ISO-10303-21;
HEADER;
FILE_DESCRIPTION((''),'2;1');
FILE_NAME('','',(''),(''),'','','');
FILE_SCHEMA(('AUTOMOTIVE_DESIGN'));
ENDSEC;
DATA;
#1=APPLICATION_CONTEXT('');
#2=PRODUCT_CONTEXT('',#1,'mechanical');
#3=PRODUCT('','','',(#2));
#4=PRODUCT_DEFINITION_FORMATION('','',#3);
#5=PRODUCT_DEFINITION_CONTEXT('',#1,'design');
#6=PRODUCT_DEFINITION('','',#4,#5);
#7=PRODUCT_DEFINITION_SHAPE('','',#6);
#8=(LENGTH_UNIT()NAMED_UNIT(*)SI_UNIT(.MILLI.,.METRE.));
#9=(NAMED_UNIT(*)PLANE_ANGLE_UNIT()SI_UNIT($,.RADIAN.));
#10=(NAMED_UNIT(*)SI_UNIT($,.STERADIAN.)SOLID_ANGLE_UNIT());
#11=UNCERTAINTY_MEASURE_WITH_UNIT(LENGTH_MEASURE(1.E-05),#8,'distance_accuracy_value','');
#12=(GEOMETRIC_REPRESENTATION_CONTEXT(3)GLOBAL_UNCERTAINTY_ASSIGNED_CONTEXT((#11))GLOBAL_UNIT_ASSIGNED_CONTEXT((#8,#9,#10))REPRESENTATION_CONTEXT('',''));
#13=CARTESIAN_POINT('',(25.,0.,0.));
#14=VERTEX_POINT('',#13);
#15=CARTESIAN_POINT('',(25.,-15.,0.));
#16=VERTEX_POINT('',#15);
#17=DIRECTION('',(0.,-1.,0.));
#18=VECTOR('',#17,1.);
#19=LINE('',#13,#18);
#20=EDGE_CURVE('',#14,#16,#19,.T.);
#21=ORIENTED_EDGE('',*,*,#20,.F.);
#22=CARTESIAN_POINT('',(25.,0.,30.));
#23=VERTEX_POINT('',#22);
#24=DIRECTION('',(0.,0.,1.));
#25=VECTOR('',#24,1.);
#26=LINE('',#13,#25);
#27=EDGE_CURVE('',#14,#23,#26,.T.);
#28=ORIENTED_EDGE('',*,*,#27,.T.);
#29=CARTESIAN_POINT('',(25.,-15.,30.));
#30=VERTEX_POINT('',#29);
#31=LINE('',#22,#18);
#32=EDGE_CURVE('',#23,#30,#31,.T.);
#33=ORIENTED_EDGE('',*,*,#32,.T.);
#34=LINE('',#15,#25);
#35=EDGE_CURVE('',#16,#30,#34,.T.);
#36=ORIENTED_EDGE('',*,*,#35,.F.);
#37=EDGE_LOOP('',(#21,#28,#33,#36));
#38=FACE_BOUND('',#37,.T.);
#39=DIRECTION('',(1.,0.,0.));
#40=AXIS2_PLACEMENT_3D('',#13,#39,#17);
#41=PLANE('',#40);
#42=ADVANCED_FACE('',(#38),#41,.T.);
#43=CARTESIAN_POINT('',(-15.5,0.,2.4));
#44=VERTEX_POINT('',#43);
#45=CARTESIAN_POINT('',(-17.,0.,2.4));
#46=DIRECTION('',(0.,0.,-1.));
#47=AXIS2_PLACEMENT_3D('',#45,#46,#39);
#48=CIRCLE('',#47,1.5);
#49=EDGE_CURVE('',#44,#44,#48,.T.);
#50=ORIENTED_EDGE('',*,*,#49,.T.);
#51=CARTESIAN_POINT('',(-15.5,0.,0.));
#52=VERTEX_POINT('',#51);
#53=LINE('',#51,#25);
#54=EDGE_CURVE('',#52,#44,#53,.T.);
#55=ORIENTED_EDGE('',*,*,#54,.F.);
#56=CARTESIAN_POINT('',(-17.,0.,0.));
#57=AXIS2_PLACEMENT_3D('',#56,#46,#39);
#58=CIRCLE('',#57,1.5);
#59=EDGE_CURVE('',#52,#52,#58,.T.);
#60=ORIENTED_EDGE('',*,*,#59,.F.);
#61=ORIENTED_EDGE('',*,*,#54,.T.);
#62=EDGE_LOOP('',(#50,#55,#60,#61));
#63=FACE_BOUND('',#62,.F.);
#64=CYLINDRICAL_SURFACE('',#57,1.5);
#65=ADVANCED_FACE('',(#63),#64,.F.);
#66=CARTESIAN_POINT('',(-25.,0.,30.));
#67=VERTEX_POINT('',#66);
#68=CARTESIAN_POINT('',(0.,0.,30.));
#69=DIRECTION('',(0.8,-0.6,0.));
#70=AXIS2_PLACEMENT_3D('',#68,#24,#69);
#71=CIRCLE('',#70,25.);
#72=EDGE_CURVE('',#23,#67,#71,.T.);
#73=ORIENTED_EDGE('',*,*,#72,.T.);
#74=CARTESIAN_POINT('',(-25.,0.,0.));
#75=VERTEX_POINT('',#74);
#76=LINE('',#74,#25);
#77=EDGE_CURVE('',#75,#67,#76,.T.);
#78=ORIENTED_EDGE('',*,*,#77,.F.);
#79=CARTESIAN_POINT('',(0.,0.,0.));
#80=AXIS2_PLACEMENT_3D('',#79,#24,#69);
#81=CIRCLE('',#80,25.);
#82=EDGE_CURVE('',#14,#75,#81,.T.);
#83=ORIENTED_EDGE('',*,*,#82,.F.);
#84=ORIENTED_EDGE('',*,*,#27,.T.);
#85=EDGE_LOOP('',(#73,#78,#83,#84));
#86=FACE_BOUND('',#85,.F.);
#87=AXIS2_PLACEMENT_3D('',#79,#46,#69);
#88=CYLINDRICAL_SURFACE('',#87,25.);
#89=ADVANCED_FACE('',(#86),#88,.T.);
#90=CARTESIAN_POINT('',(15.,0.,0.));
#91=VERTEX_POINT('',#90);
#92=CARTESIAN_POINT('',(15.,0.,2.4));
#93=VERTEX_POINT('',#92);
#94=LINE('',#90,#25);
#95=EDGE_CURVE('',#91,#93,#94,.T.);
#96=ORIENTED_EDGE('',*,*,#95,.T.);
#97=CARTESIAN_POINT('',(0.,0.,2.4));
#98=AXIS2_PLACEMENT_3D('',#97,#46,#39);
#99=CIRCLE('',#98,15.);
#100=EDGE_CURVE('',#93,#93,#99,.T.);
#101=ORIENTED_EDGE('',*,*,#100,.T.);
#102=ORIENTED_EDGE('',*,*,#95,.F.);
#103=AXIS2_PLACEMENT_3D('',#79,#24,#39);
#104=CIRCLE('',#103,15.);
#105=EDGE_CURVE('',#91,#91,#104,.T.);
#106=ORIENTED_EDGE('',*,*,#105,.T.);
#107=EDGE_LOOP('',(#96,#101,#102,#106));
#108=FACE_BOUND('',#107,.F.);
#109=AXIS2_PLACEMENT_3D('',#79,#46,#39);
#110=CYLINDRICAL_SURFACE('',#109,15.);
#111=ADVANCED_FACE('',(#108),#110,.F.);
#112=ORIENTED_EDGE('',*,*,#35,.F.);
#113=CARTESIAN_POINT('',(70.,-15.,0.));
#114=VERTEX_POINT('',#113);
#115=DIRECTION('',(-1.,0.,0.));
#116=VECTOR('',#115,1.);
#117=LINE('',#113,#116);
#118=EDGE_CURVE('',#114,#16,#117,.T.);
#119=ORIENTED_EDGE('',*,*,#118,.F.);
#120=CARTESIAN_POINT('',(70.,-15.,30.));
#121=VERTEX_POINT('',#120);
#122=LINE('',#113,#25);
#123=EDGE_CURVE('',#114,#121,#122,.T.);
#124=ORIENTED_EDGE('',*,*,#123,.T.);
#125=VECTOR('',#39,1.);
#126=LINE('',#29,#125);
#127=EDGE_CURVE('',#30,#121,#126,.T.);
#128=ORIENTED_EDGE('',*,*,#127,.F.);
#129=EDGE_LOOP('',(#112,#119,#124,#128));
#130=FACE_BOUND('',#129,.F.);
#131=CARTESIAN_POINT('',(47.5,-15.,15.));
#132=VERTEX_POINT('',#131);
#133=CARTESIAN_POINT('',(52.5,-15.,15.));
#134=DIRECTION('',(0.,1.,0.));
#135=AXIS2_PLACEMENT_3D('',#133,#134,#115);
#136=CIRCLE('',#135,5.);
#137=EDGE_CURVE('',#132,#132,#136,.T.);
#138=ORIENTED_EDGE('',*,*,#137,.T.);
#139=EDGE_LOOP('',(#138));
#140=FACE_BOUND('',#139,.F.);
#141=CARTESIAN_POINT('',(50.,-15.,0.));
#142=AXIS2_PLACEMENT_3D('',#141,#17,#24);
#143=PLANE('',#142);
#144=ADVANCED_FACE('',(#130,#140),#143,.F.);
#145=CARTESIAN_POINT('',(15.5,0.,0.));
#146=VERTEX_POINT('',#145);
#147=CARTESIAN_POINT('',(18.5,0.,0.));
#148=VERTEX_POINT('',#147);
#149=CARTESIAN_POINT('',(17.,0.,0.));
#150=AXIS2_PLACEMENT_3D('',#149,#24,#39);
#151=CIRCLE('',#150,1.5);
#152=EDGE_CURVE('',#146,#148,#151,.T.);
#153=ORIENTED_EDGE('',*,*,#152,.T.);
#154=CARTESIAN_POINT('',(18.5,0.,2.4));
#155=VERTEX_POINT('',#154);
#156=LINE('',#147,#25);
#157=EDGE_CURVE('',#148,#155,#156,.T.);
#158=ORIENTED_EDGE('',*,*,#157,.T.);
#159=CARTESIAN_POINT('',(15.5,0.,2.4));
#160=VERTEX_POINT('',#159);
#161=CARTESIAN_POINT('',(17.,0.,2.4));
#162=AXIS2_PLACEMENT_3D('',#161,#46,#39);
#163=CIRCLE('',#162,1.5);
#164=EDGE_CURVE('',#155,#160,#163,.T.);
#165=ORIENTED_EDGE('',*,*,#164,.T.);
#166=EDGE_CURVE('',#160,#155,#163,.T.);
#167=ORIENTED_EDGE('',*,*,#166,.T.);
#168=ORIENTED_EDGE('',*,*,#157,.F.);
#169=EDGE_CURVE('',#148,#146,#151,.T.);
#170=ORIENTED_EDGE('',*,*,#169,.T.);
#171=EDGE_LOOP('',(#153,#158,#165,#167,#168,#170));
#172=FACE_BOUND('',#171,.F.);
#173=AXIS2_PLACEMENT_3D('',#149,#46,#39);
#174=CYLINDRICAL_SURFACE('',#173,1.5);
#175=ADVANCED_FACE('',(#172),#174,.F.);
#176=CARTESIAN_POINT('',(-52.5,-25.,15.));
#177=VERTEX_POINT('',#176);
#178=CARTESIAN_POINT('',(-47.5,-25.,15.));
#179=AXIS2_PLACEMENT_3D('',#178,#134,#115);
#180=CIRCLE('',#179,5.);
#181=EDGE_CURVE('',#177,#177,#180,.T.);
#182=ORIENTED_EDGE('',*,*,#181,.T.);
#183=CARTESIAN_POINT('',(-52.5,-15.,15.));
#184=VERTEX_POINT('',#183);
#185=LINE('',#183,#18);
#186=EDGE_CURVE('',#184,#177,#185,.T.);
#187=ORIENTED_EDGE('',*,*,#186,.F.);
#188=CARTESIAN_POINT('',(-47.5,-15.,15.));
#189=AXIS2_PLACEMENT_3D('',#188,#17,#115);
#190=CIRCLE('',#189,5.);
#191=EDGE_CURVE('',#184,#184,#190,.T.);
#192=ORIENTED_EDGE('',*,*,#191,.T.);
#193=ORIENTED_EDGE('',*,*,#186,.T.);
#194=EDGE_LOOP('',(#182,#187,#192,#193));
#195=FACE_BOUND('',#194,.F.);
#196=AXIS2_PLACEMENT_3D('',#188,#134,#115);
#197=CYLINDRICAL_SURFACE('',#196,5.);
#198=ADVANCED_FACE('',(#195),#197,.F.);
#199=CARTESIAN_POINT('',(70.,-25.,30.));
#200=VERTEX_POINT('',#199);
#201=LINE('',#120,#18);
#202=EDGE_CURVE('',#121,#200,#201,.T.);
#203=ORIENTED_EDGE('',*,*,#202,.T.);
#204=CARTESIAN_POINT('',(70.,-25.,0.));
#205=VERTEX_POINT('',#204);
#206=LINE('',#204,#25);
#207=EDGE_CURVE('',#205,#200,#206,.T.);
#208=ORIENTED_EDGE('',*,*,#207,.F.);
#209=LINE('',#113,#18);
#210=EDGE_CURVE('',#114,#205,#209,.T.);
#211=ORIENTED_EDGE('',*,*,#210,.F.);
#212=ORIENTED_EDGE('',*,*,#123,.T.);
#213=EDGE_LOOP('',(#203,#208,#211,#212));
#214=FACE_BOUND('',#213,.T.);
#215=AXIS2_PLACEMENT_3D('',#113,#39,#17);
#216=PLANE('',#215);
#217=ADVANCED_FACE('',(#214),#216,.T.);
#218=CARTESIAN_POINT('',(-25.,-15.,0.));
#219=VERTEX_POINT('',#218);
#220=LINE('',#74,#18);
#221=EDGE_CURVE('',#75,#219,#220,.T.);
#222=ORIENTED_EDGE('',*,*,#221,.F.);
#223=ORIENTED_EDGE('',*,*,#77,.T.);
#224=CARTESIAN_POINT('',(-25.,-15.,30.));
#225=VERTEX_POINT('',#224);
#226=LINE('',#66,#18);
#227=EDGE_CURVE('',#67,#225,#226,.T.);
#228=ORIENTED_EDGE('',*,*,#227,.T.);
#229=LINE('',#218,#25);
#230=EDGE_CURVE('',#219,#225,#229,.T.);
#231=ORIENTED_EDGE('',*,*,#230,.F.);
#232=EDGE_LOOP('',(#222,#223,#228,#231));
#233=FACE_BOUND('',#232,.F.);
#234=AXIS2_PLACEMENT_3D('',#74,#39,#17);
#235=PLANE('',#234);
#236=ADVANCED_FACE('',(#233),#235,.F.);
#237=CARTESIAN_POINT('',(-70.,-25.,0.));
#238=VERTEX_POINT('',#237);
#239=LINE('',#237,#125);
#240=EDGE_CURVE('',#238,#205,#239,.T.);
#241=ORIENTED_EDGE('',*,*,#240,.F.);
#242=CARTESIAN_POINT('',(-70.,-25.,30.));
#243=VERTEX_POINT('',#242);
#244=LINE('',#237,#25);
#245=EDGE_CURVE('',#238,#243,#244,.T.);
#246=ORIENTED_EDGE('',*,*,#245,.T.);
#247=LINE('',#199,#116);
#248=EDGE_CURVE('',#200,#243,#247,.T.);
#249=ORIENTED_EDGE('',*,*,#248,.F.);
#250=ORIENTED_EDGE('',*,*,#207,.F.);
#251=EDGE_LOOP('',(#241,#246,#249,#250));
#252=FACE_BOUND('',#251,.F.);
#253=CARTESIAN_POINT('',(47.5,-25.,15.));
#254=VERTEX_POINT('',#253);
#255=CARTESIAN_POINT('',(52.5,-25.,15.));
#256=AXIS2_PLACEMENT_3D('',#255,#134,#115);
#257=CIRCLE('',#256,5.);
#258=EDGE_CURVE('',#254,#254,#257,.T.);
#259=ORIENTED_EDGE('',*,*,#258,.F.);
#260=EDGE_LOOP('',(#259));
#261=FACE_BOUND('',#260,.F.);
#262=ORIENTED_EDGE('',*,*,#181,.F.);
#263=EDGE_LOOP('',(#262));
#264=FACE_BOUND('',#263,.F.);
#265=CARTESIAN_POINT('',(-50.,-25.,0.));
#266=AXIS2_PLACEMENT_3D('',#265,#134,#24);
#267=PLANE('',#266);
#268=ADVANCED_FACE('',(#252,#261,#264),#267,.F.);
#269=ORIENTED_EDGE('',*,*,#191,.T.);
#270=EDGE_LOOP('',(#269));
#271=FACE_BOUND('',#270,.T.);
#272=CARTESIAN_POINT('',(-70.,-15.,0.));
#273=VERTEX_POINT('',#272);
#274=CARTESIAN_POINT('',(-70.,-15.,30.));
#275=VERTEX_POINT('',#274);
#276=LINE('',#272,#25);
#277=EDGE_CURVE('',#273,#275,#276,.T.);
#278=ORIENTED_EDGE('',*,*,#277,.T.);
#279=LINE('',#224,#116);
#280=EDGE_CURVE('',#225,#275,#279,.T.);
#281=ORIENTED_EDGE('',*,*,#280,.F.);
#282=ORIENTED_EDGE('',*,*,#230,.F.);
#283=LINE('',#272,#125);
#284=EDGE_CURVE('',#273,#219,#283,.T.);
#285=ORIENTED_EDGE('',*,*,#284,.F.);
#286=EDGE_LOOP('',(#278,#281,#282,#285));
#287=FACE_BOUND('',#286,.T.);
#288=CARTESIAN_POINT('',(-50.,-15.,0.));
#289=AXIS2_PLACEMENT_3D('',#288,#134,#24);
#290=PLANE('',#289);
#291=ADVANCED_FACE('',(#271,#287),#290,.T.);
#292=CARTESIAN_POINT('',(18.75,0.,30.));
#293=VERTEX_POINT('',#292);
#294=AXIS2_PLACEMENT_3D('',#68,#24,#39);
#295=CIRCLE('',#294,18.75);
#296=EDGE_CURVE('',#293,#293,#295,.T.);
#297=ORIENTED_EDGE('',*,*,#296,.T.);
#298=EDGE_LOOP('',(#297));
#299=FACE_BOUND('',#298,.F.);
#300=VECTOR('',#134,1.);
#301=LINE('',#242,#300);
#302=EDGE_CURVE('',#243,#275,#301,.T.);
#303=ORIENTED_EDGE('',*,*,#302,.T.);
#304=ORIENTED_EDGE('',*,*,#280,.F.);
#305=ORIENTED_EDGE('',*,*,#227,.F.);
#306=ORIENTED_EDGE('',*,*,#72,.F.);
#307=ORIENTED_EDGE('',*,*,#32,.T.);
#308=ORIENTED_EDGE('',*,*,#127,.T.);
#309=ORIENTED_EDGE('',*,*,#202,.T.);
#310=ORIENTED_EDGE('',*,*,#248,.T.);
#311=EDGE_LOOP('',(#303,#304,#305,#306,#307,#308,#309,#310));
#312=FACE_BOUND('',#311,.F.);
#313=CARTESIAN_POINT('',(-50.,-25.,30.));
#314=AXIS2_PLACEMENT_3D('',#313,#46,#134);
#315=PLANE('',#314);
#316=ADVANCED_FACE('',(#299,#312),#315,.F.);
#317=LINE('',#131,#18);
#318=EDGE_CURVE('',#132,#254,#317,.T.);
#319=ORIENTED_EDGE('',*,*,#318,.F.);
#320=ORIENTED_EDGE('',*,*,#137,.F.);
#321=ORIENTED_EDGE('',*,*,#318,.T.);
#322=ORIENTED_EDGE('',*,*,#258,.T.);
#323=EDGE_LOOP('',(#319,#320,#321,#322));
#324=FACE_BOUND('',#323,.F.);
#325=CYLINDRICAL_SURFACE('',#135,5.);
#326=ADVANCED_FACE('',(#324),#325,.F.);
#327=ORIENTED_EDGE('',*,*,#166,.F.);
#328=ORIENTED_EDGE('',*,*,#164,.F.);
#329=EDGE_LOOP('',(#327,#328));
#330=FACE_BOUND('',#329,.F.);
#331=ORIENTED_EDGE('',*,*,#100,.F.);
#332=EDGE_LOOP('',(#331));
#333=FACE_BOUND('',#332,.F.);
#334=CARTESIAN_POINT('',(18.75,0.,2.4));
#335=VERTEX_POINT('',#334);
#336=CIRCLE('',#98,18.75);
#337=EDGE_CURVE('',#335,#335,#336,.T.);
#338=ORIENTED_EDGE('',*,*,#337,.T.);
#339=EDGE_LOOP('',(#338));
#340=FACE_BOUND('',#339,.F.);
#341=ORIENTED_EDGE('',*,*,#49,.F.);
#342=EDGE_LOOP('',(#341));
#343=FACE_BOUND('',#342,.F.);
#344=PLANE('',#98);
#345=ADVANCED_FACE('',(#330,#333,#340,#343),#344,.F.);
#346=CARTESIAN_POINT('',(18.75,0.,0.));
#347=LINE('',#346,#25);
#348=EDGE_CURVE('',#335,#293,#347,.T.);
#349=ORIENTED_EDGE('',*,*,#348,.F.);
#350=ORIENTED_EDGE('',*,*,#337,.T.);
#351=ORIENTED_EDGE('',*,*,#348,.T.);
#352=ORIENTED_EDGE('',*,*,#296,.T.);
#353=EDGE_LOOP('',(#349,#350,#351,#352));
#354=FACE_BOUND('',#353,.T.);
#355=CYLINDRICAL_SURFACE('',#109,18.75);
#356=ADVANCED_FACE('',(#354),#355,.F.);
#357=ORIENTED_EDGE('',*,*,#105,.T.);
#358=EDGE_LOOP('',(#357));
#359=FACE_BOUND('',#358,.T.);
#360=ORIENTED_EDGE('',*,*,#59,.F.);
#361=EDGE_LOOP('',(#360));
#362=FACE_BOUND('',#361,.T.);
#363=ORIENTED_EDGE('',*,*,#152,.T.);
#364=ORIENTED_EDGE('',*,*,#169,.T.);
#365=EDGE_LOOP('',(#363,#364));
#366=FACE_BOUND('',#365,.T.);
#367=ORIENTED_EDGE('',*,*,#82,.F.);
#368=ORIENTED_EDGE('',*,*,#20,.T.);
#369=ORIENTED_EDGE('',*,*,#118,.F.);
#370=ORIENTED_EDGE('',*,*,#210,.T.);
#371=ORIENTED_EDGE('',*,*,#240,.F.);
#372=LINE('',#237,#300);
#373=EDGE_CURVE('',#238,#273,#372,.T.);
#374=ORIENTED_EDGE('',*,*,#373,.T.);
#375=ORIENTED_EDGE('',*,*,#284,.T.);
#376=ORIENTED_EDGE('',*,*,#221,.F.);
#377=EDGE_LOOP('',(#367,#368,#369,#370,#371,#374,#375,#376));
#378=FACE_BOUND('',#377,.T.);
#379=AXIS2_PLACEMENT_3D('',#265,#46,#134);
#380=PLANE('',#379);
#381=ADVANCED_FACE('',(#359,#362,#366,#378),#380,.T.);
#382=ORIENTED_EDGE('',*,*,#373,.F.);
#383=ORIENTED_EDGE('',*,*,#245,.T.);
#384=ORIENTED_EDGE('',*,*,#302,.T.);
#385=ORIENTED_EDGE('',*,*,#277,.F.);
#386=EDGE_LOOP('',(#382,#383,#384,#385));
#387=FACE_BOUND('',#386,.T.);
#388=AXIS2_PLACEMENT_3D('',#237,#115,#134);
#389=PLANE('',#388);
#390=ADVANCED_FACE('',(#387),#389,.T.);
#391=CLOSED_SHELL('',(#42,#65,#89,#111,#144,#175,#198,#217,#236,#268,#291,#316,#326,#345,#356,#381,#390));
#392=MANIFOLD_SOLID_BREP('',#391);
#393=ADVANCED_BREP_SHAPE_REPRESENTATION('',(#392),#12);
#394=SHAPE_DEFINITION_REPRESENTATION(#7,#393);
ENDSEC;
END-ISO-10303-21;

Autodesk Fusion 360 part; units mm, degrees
sketch "Sketch1" plane through (0, 0, 0) normal (0, 0, 1) x (1, 0, 0)
  circle A0 centre (0, 0) radius 18.75
  line L0 (20, -15) -> (20, -25)
  line L1 (20, -25) -> (-20, -25)
  line L2 (-20, -25) -> (-20, -15)
  line L3 (0, -25) -> (50, -25)
  line L4 (50, -25) -> (-50, -25)
  line L5 (-50, -25) -> (-50, -15)
  line L6 (50, -15) -> (50, -25)
  line L7 (-25, 0) -> (-25, -15)
  line L8 (25, 0) -> (25, -15)
  line L9 (-20, -15) -> (-11.25, -15)
  line L10 (11.25, -15) -> (20, -15)
  arc A1 (20, -15) -> (-20, -15) centre (0, 0) ccw
  line L11 (-20, -15) -> (-11.25, -15)
  line L12 (11.25, -15) -> (20, -15)
  line L13 (-50, -15) -> (-11.25, -15)
  line L14 (11.25, -15) -> (50, -15)
  dimension "d1" = 37.5
extrude "Extrude1" add sketch "Sketch1" along normal blind 30 contours A0 L9 L10 A1 L11 L12 L13 L14 | A0 L0 L1 L2 L3 L4 L9 L10 L11 L12 L13 L14 | L7 A1 L13 | L2 L4 L5 L13 | L0 L3 L4 L6 L14 | L8 A1 L14
sketch "Sketch2" plane through (0, 0, 0) normal (0, 0, -1) x (1, 0, 0)
  circle A0 centre (0, 0) radius 18.75
  line L0 (-25, 15) -> (-25, 0)
  arc A1 (-25, 0) -> (25, 0) centre (0, 0) ccw
  line L1 (25, 0) -> (25, 15)
  line L2 (25, 15) -> (50, 15)
  line L3 (50, 15) -> (50, 25)
  line L4 (50, 25) -> (-50, 25)
  line L5 (-50, 25) -> (-50, 15)
  line L6 (-50, 15) -> (-25, 15)
  circle A2 centre (0, 0) radius 15
  line L7 (0, 0) -> (18.75, 0)
  line L8 (18.75, 0) -> (17, 0)
  circle A3 centre (17, 0) radius 1.2
  line L9 (0, 0) -> (0, -15)
  circle A4 centre (-17, 0) radius 1.2
  circle A5 centre (-17, 0) radius 1.5
  circle A6 centre (17, 0) radius 1.5
  dimension "d4" = 30
  dimension "d7" = 2.4
  dimension "d24" = 3
  dimension "d25" = 3
extrude "Extrude3" add sketch "Sketch2" against normal blind 2.4 contours A0 | L7 L8 A3 A6 | L7 L8 A3 A6 | A5
sketch "Sketch3" plane through (0, -15, 0) normal (0, 1, 0) x (-1, 0, 0)
  line L0 (-50, 0) -> (-25, 0)
  line L1 (-25, 0) -> (-25, 30)
  line L2 (-25, 30) -> (-50, 30)
  line L3 (-50, 30) -> (-50, 0)
  line L4 (-50, 30) -> (-37.5, 30)
  line L5 (-37.5, 0) -> (-37.5, 30)
  circle A0 centre (-37.5, 15) radius 6
  line L6 (-50, 30) -> (0, 30)
  line L7 (0, 30) -> (0, 0)
  circle A1 centre (37.5, 15) radius 6
  dimension "d10" = 12
extrude "Extrude5" add 1 faces at (50, -18.3333, 10) along direction (1, 0, 0) blind 20
extrude "Extrude6" add 1 faces at (-50, -21.6667, 10) along direction (-1, 0, 0) blind 20
sketch "Sketch4" plane through (0, -15, 0) normal (0, 1, 0) x (-1, 0, 0)
  line L0 (25, 0) -> (70, 0)
  line L1 (70, 0) -> (70, 30)
  line L2 (70, 30) -> (25, 30)
  line L3 (25, 30) -> (25, 0)
  line L4 (70, 0) -> (47.5, 0)
  circle A0 centre (47.5, 15) radius 5
  circle A1 centre (-52.5, 15) radius 5
  line L5 (47.5, 0) -> (47.5, 10)
  line L6 (47.5, 20) -> (47.5, 30)
  dimension "d19" = 10
  dimension "d20" = 100
  dimension "d21" = 10
extrude "Extrude7" cut sketch "Sketch4" against normal blind 24 contours A0 | A1
extrude "Extrude8" cut sketch "Sketch2" against normal blind 26 contours A5
extrude "Extrude9" cut sketch "Sketch2" against normal blind 40 contours L7 L8 A3 A6 | L7 L8 A3 A6
